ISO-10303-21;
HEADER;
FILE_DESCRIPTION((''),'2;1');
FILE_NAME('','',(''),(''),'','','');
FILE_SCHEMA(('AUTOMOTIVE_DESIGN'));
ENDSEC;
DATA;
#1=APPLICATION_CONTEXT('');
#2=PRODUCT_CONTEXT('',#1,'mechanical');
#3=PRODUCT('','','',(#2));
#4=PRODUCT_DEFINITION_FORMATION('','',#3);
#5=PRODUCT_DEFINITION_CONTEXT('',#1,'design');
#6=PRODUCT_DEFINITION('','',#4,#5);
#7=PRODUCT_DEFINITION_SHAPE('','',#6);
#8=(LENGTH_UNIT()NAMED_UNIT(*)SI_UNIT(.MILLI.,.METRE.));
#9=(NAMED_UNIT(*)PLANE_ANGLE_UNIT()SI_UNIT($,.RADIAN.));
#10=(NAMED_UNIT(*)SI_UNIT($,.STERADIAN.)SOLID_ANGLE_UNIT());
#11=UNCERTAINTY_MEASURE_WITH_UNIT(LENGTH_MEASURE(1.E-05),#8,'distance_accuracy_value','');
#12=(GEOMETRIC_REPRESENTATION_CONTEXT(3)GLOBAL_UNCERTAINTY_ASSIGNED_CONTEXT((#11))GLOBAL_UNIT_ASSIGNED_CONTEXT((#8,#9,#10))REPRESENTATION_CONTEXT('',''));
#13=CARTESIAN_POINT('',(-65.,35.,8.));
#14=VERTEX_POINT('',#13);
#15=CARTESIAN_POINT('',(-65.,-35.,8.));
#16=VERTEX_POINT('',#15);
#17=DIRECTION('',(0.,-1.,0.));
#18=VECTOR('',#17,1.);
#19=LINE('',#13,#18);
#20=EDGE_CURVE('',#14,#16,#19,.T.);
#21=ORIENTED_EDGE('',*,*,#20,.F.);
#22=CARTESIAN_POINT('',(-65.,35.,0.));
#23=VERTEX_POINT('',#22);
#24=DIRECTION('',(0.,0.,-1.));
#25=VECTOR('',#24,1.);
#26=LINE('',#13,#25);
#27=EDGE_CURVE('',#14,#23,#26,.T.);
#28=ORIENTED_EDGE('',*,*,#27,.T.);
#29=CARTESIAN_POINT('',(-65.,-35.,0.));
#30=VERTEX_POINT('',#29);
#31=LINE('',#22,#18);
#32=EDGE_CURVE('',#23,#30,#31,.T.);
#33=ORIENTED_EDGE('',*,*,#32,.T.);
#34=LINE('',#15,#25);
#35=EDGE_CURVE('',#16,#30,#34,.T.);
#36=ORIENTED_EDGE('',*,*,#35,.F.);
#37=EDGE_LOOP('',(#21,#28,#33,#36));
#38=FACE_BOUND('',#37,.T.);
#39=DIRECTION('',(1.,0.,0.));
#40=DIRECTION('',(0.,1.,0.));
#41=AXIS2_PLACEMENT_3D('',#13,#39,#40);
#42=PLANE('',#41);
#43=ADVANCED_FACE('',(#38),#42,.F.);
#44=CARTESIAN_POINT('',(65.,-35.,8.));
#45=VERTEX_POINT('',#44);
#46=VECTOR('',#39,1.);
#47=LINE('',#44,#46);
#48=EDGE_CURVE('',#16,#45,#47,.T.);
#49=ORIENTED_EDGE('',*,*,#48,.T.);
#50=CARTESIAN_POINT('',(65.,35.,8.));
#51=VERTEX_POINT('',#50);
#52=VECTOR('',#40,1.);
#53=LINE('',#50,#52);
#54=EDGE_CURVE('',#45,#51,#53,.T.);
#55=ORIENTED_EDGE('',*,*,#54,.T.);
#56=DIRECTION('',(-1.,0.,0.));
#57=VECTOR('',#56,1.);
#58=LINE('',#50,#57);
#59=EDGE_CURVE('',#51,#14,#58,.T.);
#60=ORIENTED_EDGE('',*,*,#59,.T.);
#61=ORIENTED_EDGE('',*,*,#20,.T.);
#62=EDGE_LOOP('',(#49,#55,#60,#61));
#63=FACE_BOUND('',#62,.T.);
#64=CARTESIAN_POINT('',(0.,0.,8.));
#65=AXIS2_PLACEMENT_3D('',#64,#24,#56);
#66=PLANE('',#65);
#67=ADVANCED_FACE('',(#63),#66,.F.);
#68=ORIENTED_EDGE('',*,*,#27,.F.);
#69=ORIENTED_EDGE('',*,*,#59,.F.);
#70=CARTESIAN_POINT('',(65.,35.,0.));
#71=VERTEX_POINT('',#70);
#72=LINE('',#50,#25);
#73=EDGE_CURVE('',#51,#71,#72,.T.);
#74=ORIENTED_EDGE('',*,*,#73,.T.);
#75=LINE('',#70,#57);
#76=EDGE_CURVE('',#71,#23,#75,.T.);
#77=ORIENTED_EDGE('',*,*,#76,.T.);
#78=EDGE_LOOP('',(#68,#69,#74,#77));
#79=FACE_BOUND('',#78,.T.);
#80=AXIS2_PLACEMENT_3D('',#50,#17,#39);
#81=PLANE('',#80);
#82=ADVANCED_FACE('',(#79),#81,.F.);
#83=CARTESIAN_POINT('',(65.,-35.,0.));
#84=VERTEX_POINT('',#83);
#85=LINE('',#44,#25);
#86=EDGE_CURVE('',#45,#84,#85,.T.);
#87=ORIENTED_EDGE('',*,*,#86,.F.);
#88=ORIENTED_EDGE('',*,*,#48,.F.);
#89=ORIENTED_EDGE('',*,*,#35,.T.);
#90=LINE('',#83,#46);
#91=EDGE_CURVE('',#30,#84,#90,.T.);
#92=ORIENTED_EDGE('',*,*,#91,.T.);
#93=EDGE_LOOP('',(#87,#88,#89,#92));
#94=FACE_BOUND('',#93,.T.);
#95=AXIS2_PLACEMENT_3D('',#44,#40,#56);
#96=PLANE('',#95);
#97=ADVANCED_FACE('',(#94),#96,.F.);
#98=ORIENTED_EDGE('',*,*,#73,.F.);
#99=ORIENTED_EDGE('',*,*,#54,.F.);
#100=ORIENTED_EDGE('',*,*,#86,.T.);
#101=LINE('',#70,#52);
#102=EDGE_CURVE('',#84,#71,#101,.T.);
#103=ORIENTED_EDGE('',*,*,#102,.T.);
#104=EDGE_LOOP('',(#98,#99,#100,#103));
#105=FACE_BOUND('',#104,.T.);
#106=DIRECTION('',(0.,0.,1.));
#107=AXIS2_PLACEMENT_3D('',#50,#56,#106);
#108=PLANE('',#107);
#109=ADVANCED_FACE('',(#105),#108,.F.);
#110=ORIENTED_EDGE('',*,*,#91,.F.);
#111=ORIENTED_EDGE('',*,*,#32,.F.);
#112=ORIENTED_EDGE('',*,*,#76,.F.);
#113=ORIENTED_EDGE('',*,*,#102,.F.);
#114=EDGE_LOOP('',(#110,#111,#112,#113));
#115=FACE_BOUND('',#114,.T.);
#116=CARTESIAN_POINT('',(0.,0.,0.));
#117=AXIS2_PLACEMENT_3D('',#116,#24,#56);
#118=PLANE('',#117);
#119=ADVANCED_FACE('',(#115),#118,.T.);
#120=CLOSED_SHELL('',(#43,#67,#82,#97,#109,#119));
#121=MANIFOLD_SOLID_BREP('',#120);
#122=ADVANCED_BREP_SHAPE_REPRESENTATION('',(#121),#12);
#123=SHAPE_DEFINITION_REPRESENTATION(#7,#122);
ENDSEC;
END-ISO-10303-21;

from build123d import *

# Parameters (mm, degrees)
SKETCH1_W           = 130
SKETCH1_H           = 70
BOSS_EXTRUDE1_DEPTH = 8


with BuildPart() as part:
    # Sketch1 → Boss-Extrude1 (new body)
    with BuildSketch(Plane.XY):
        Rectangle(SKETCH1_W, SKETCH1_H)
    extrude(amount=BOSS_EXTRUDE1_DEPTH)


solid = part.part
